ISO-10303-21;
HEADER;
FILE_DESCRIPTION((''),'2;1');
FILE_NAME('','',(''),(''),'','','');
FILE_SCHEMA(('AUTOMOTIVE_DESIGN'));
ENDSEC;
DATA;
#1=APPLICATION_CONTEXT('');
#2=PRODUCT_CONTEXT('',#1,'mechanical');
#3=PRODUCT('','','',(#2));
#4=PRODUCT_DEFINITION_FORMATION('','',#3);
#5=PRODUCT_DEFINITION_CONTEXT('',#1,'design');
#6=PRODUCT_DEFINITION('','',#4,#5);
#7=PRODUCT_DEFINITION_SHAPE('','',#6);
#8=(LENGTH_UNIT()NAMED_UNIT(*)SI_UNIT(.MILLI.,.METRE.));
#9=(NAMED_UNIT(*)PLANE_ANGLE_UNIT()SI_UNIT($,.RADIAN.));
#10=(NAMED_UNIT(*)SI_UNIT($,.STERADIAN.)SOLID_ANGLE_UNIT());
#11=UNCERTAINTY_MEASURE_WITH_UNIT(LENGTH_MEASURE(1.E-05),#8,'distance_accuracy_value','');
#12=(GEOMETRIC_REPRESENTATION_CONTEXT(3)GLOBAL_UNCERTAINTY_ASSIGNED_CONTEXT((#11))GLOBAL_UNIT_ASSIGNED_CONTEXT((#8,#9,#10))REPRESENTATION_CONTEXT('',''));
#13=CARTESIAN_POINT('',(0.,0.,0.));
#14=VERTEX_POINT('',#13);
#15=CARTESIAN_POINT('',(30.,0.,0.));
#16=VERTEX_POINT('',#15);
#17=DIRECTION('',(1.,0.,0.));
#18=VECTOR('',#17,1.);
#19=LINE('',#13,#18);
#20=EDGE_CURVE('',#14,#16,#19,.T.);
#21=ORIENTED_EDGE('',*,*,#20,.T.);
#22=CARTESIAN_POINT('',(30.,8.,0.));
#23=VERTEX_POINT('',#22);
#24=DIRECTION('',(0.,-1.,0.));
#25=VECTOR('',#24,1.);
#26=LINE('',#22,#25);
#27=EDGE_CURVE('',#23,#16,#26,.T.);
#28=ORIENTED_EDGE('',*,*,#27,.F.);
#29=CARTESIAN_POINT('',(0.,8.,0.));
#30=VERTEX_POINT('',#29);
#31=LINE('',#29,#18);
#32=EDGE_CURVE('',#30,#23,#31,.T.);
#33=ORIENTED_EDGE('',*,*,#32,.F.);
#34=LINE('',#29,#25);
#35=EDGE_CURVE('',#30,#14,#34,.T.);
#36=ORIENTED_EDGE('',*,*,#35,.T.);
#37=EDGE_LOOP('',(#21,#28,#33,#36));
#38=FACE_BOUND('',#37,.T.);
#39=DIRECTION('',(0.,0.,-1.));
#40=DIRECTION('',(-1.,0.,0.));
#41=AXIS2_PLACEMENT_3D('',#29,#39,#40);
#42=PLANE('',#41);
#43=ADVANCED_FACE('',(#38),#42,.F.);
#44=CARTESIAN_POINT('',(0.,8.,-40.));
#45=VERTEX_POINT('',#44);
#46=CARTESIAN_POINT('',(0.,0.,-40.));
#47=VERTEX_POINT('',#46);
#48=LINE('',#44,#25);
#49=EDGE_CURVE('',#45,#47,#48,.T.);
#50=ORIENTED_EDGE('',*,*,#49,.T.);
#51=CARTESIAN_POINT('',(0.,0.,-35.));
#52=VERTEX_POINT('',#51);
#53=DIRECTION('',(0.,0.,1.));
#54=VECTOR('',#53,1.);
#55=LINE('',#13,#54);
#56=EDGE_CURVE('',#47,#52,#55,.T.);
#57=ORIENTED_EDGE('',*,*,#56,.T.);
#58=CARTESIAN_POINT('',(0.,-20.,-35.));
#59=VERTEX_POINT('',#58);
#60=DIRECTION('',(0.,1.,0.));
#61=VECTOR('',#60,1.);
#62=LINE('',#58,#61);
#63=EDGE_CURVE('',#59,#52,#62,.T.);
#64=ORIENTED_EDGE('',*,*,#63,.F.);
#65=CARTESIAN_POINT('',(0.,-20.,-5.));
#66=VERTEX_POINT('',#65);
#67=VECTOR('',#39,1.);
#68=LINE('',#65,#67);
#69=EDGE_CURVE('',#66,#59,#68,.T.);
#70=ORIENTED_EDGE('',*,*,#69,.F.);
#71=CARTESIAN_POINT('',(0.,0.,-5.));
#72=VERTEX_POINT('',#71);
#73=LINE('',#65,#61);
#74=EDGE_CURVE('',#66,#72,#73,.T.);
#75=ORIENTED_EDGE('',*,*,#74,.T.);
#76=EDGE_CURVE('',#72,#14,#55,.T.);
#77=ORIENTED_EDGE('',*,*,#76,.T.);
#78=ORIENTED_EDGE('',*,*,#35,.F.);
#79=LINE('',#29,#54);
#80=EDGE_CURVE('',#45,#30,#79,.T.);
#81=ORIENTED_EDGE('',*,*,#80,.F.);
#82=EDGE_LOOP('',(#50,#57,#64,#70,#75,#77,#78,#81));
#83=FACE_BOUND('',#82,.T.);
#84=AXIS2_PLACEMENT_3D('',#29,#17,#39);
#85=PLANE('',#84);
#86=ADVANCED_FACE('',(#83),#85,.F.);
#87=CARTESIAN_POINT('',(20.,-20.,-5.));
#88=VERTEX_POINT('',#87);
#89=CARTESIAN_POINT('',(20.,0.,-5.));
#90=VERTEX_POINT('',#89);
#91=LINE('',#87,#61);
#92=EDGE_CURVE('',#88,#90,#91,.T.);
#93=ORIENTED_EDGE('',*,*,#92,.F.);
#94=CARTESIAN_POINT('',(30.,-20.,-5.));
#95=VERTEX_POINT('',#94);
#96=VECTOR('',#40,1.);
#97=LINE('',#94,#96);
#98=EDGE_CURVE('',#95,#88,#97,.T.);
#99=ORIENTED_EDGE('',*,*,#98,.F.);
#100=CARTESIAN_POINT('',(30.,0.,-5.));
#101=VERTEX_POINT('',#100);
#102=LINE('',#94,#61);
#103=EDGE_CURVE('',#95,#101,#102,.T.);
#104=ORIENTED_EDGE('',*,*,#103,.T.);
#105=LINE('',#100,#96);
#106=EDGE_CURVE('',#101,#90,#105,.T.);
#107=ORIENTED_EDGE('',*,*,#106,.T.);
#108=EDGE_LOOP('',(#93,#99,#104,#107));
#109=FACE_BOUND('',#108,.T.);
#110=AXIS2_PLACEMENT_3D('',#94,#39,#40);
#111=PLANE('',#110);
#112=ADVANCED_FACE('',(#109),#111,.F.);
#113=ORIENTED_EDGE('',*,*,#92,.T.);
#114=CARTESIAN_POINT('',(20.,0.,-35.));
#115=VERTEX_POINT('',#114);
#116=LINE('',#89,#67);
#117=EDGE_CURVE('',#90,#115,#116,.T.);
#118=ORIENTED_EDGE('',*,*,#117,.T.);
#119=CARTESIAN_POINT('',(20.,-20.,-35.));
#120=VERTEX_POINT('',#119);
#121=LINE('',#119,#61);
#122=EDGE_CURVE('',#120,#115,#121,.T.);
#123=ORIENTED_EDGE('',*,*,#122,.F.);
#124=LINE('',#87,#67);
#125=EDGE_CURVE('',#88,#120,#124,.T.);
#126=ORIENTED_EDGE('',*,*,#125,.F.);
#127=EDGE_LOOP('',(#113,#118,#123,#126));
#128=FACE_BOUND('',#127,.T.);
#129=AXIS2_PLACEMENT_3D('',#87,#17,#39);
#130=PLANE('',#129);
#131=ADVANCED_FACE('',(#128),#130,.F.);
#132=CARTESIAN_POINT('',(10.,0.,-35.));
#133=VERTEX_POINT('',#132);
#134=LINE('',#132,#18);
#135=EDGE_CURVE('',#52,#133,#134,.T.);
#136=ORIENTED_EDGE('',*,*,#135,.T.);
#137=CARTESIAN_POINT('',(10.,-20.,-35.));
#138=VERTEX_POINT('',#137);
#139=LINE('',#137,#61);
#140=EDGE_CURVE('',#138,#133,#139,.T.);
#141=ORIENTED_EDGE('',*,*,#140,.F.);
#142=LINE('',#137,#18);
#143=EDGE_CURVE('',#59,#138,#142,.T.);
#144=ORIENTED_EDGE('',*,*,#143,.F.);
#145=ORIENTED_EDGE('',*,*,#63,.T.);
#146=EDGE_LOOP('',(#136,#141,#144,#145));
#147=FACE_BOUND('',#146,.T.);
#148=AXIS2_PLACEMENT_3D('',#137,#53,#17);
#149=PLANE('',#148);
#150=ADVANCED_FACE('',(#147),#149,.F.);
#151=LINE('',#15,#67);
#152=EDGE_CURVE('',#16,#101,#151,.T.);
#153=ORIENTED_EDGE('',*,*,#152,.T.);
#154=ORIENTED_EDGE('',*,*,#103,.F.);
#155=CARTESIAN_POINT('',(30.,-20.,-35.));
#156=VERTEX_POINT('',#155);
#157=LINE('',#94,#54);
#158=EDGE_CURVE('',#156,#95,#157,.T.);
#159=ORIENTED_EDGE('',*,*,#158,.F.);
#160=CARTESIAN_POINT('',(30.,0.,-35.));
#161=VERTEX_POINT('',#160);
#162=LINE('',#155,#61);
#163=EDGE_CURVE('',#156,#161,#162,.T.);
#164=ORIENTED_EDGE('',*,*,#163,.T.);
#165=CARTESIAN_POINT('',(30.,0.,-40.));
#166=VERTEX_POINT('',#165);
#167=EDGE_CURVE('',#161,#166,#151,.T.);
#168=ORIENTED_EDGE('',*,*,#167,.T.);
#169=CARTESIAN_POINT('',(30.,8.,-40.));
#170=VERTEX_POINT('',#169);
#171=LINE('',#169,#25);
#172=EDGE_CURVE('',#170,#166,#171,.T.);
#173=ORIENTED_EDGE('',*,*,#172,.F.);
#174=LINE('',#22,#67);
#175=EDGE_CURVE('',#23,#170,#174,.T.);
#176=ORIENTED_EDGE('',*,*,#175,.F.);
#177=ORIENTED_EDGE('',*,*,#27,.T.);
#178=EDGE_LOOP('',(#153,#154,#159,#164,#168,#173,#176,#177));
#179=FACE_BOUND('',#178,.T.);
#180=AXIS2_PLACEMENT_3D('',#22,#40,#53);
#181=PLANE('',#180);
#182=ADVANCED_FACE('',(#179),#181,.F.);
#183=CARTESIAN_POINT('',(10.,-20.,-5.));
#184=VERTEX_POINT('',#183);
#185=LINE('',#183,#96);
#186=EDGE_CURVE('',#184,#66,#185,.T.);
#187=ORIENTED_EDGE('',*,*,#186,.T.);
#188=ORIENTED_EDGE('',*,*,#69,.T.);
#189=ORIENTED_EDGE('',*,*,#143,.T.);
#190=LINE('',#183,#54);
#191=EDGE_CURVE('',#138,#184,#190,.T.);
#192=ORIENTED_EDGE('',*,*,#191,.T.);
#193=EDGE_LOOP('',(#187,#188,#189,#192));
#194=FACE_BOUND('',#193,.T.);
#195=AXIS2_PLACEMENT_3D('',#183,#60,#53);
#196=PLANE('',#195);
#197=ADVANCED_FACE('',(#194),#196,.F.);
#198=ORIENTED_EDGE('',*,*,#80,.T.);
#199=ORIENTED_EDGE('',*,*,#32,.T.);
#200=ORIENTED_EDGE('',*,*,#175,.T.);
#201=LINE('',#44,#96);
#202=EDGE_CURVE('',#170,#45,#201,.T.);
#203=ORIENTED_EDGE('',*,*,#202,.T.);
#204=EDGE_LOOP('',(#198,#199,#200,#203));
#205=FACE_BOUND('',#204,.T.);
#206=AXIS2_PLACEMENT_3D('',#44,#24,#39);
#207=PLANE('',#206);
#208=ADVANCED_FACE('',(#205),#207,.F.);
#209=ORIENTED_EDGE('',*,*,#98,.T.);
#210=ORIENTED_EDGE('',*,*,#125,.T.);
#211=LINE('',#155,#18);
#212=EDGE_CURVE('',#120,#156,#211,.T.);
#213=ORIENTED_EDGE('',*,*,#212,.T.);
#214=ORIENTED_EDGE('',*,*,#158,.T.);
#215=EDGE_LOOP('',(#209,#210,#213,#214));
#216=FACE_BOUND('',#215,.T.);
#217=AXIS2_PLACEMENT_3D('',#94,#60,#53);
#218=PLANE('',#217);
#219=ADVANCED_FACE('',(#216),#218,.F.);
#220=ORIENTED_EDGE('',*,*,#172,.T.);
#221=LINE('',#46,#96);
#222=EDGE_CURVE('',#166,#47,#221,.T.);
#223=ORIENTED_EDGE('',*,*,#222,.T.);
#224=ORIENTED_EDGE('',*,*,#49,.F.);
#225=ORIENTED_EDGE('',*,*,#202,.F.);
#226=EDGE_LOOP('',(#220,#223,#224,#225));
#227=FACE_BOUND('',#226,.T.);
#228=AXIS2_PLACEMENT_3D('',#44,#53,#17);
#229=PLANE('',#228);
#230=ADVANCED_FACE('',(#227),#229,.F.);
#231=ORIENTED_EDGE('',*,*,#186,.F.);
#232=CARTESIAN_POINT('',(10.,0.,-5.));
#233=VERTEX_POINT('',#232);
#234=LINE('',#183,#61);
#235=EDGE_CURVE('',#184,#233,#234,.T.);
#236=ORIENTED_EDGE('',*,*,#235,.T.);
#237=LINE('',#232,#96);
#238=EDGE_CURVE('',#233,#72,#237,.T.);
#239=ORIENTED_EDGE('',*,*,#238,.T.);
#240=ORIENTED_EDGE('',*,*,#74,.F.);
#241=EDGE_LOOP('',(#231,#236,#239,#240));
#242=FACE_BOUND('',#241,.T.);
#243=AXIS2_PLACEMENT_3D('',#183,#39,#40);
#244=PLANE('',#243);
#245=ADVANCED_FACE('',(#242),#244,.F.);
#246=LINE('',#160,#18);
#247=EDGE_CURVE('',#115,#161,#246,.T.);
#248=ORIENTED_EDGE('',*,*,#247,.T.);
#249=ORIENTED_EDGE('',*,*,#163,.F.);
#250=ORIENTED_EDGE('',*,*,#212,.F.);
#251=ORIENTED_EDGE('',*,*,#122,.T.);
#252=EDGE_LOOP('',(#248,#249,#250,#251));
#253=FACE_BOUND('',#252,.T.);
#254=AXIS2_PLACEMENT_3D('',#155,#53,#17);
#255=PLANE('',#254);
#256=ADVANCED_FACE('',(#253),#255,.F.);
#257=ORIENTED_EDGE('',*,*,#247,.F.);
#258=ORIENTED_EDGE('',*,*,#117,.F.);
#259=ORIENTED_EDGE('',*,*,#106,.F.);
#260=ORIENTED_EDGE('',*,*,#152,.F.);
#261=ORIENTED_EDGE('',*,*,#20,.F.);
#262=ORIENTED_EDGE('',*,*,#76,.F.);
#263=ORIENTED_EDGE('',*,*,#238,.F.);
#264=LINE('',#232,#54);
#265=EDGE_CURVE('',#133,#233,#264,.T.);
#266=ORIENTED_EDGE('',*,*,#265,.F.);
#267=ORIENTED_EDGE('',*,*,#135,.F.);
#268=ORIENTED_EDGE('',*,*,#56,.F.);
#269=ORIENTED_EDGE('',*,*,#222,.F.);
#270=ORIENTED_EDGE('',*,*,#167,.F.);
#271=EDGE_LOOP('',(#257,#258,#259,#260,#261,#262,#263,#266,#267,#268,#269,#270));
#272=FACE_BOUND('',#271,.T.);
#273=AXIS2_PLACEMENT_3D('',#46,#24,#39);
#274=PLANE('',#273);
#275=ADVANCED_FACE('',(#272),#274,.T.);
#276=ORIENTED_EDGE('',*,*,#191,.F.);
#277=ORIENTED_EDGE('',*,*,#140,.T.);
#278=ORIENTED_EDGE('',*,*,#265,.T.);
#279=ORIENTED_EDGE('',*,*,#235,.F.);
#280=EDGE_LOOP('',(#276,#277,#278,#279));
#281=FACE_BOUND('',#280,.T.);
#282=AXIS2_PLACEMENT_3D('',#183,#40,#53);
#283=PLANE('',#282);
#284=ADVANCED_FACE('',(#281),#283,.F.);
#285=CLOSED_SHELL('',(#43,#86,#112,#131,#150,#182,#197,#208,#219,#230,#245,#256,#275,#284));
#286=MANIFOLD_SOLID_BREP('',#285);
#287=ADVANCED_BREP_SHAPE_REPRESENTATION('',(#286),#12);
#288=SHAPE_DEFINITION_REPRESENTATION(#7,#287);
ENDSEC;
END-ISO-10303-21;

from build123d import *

# Parameters (mm, degrees)
ESQUISSE1_W                 = 30
ESQUISSE1_H                 = 40
CORPS_BOUTON_POUSSOIR_DEPTH = 8
ESQUISSE2_W                 = 10
ESQUISSE2_H                 = 30
F_2_CONTACTS_DEPTH          = 20


with BuildPart() as part:
    # Esquisse1 → corps bouton poussoir (new body)
    with BuildSketch(Plane(origin=(0, 0, 0), x_dir=(1, 0, 0), z_dir=(0, 1, 0))):
        with Locations((15, 20)):
            Rectangle(ESQUISSE1_W, ESQUISSE1_H)
    extrude(amount=CORPS_BOUTON_POUSSOIR_DEPTH)

    # Esquisse2 → 2 contacts (add)
    with BuildSketch(Plane.XZ):
        with Locations((5, -20)):
            Rectangle(ESQUISSE2_W, ESQUISSE2_H)
        with Locations((25, -20)):
            Rectangle(ESQUISSE2_W, ESQUISSE2_H)
    extrude(amount=F_2_CONTACTS_DEPTH)


solid = part.part
